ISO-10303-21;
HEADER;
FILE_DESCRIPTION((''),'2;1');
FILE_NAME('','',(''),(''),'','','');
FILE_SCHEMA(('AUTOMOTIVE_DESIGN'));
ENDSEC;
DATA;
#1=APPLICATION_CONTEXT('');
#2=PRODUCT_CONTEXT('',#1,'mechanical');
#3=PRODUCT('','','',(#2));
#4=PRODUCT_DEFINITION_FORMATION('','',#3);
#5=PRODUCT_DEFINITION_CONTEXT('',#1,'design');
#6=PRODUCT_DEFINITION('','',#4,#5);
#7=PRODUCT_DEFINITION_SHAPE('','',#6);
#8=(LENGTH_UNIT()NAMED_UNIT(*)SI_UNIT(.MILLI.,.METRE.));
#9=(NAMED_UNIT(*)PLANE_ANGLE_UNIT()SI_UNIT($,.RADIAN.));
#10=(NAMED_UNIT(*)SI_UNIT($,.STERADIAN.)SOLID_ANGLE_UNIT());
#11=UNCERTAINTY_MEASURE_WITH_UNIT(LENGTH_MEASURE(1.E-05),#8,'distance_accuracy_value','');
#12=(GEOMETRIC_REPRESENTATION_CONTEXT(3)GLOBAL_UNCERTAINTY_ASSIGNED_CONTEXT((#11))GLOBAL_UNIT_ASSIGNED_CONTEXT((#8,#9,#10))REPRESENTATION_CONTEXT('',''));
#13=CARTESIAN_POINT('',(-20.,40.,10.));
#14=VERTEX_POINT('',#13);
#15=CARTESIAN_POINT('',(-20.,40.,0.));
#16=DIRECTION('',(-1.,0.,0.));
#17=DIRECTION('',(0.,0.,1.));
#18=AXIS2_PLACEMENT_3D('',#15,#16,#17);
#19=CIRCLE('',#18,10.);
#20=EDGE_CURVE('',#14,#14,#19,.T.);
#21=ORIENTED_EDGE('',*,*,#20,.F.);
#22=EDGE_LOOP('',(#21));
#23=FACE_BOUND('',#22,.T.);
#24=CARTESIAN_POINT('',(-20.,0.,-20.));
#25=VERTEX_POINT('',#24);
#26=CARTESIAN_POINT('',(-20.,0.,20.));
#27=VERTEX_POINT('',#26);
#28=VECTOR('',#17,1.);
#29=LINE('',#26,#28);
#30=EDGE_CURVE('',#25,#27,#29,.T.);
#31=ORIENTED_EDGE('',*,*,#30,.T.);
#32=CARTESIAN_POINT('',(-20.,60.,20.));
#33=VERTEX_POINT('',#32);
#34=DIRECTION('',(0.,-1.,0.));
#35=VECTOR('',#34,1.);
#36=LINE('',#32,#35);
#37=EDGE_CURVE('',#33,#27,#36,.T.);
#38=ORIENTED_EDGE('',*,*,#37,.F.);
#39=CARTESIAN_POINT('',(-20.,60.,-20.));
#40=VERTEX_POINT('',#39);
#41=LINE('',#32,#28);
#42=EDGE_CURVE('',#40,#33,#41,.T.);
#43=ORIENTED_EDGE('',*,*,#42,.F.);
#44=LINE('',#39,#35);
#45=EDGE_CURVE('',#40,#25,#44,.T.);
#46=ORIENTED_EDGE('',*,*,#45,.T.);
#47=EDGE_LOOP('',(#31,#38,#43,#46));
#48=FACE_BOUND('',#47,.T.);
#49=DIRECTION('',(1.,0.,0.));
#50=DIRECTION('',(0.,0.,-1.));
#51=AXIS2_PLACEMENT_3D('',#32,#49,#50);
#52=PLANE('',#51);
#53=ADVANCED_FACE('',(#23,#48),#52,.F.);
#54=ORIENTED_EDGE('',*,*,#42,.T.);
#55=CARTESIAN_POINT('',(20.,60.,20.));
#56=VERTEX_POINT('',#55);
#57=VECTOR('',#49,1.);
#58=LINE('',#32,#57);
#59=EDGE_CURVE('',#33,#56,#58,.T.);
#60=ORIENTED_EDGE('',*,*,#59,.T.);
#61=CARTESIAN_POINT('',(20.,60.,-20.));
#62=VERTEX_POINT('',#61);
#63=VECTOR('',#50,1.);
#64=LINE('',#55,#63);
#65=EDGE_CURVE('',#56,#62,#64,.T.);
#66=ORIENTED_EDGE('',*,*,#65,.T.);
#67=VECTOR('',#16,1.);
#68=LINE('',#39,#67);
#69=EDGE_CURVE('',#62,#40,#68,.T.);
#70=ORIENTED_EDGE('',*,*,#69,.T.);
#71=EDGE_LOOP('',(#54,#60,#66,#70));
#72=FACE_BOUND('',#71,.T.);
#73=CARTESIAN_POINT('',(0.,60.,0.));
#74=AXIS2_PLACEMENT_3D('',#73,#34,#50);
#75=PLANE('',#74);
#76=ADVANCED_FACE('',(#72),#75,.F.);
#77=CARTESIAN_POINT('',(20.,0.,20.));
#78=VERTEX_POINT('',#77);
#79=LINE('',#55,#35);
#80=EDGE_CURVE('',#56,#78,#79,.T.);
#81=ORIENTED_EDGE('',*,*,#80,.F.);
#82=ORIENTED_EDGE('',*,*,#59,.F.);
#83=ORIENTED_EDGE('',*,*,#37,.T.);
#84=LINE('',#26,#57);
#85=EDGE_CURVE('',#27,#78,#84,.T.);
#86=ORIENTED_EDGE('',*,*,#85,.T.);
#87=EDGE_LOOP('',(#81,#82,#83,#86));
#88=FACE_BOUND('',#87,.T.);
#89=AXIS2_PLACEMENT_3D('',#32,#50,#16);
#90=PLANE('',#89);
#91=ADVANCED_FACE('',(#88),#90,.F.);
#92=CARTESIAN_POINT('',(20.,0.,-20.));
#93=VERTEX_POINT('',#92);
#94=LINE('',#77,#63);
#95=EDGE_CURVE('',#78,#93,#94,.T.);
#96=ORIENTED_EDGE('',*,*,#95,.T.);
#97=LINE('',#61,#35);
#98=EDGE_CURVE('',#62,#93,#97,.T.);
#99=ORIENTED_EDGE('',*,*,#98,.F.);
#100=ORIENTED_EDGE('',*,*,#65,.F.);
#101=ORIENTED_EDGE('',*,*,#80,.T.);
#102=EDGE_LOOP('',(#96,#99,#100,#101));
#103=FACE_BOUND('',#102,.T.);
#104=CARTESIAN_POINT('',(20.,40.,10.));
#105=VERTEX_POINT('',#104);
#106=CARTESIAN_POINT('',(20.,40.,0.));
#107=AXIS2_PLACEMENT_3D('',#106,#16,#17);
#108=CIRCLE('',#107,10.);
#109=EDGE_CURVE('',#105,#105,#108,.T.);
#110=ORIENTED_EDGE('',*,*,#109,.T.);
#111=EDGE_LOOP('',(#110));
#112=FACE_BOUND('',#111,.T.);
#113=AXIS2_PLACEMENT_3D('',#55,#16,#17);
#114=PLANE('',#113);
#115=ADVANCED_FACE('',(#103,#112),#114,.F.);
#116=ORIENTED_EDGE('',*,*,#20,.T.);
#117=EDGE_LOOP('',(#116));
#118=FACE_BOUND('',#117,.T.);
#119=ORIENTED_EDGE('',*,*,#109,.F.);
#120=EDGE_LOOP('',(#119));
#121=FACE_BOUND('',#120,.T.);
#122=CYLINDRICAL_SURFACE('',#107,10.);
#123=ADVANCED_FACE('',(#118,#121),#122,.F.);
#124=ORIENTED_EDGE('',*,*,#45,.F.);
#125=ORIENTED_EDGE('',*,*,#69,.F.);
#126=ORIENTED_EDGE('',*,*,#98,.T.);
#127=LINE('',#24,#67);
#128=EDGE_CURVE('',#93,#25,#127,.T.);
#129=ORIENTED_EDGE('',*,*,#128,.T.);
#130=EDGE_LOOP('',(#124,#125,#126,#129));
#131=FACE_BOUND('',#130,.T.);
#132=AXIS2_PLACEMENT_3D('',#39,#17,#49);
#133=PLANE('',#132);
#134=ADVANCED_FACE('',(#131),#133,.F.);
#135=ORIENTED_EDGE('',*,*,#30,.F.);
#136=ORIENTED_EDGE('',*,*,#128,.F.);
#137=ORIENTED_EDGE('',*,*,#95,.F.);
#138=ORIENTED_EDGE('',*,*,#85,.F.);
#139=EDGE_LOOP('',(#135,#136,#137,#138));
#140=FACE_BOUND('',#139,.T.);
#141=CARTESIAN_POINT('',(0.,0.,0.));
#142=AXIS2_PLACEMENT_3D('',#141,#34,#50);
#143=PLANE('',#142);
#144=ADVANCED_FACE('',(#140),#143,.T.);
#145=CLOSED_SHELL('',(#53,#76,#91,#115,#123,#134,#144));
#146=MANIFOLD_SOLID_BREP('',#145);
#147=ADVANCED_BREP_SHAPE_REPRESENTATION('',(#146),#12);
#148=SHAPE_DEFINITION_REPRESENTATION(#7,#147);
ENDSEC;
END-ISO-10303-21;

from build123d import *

# Parameters (mm, degrees)
SKETCH1_W           = 40
SKETCH1_H           = 40
BOSS_EXTRUDE1_DEPTH = 60
SKETCH2_R           = 10
CUT_EXTRUDE1_DEPTH  = 40


with BuildPart() as part:
    # Sketch1 → Boss-Extrude1 (new body)
    with BuildSketch(Plane(origin=(0, 0, 0), x_dir=(1, 0, 0), z_dir=(0, 1, 0))):
        Rectangle(SKETCH1_W, SKETCH1_H)
    extrude(amount=BOSS_EXTRUDE1_DEPTH)

    # Sketch2 → Cut-Extrude1 (cut)
    with BuildSketch(Plane.ZY.offset(20)):
        with Locations((0, 40)):
            Circle(SKETCH2_R)
    extrude(amount=-CUT_EXTRUDE1_DEPTH, mode=Mode.SUBTRACT)


solid = part.part
